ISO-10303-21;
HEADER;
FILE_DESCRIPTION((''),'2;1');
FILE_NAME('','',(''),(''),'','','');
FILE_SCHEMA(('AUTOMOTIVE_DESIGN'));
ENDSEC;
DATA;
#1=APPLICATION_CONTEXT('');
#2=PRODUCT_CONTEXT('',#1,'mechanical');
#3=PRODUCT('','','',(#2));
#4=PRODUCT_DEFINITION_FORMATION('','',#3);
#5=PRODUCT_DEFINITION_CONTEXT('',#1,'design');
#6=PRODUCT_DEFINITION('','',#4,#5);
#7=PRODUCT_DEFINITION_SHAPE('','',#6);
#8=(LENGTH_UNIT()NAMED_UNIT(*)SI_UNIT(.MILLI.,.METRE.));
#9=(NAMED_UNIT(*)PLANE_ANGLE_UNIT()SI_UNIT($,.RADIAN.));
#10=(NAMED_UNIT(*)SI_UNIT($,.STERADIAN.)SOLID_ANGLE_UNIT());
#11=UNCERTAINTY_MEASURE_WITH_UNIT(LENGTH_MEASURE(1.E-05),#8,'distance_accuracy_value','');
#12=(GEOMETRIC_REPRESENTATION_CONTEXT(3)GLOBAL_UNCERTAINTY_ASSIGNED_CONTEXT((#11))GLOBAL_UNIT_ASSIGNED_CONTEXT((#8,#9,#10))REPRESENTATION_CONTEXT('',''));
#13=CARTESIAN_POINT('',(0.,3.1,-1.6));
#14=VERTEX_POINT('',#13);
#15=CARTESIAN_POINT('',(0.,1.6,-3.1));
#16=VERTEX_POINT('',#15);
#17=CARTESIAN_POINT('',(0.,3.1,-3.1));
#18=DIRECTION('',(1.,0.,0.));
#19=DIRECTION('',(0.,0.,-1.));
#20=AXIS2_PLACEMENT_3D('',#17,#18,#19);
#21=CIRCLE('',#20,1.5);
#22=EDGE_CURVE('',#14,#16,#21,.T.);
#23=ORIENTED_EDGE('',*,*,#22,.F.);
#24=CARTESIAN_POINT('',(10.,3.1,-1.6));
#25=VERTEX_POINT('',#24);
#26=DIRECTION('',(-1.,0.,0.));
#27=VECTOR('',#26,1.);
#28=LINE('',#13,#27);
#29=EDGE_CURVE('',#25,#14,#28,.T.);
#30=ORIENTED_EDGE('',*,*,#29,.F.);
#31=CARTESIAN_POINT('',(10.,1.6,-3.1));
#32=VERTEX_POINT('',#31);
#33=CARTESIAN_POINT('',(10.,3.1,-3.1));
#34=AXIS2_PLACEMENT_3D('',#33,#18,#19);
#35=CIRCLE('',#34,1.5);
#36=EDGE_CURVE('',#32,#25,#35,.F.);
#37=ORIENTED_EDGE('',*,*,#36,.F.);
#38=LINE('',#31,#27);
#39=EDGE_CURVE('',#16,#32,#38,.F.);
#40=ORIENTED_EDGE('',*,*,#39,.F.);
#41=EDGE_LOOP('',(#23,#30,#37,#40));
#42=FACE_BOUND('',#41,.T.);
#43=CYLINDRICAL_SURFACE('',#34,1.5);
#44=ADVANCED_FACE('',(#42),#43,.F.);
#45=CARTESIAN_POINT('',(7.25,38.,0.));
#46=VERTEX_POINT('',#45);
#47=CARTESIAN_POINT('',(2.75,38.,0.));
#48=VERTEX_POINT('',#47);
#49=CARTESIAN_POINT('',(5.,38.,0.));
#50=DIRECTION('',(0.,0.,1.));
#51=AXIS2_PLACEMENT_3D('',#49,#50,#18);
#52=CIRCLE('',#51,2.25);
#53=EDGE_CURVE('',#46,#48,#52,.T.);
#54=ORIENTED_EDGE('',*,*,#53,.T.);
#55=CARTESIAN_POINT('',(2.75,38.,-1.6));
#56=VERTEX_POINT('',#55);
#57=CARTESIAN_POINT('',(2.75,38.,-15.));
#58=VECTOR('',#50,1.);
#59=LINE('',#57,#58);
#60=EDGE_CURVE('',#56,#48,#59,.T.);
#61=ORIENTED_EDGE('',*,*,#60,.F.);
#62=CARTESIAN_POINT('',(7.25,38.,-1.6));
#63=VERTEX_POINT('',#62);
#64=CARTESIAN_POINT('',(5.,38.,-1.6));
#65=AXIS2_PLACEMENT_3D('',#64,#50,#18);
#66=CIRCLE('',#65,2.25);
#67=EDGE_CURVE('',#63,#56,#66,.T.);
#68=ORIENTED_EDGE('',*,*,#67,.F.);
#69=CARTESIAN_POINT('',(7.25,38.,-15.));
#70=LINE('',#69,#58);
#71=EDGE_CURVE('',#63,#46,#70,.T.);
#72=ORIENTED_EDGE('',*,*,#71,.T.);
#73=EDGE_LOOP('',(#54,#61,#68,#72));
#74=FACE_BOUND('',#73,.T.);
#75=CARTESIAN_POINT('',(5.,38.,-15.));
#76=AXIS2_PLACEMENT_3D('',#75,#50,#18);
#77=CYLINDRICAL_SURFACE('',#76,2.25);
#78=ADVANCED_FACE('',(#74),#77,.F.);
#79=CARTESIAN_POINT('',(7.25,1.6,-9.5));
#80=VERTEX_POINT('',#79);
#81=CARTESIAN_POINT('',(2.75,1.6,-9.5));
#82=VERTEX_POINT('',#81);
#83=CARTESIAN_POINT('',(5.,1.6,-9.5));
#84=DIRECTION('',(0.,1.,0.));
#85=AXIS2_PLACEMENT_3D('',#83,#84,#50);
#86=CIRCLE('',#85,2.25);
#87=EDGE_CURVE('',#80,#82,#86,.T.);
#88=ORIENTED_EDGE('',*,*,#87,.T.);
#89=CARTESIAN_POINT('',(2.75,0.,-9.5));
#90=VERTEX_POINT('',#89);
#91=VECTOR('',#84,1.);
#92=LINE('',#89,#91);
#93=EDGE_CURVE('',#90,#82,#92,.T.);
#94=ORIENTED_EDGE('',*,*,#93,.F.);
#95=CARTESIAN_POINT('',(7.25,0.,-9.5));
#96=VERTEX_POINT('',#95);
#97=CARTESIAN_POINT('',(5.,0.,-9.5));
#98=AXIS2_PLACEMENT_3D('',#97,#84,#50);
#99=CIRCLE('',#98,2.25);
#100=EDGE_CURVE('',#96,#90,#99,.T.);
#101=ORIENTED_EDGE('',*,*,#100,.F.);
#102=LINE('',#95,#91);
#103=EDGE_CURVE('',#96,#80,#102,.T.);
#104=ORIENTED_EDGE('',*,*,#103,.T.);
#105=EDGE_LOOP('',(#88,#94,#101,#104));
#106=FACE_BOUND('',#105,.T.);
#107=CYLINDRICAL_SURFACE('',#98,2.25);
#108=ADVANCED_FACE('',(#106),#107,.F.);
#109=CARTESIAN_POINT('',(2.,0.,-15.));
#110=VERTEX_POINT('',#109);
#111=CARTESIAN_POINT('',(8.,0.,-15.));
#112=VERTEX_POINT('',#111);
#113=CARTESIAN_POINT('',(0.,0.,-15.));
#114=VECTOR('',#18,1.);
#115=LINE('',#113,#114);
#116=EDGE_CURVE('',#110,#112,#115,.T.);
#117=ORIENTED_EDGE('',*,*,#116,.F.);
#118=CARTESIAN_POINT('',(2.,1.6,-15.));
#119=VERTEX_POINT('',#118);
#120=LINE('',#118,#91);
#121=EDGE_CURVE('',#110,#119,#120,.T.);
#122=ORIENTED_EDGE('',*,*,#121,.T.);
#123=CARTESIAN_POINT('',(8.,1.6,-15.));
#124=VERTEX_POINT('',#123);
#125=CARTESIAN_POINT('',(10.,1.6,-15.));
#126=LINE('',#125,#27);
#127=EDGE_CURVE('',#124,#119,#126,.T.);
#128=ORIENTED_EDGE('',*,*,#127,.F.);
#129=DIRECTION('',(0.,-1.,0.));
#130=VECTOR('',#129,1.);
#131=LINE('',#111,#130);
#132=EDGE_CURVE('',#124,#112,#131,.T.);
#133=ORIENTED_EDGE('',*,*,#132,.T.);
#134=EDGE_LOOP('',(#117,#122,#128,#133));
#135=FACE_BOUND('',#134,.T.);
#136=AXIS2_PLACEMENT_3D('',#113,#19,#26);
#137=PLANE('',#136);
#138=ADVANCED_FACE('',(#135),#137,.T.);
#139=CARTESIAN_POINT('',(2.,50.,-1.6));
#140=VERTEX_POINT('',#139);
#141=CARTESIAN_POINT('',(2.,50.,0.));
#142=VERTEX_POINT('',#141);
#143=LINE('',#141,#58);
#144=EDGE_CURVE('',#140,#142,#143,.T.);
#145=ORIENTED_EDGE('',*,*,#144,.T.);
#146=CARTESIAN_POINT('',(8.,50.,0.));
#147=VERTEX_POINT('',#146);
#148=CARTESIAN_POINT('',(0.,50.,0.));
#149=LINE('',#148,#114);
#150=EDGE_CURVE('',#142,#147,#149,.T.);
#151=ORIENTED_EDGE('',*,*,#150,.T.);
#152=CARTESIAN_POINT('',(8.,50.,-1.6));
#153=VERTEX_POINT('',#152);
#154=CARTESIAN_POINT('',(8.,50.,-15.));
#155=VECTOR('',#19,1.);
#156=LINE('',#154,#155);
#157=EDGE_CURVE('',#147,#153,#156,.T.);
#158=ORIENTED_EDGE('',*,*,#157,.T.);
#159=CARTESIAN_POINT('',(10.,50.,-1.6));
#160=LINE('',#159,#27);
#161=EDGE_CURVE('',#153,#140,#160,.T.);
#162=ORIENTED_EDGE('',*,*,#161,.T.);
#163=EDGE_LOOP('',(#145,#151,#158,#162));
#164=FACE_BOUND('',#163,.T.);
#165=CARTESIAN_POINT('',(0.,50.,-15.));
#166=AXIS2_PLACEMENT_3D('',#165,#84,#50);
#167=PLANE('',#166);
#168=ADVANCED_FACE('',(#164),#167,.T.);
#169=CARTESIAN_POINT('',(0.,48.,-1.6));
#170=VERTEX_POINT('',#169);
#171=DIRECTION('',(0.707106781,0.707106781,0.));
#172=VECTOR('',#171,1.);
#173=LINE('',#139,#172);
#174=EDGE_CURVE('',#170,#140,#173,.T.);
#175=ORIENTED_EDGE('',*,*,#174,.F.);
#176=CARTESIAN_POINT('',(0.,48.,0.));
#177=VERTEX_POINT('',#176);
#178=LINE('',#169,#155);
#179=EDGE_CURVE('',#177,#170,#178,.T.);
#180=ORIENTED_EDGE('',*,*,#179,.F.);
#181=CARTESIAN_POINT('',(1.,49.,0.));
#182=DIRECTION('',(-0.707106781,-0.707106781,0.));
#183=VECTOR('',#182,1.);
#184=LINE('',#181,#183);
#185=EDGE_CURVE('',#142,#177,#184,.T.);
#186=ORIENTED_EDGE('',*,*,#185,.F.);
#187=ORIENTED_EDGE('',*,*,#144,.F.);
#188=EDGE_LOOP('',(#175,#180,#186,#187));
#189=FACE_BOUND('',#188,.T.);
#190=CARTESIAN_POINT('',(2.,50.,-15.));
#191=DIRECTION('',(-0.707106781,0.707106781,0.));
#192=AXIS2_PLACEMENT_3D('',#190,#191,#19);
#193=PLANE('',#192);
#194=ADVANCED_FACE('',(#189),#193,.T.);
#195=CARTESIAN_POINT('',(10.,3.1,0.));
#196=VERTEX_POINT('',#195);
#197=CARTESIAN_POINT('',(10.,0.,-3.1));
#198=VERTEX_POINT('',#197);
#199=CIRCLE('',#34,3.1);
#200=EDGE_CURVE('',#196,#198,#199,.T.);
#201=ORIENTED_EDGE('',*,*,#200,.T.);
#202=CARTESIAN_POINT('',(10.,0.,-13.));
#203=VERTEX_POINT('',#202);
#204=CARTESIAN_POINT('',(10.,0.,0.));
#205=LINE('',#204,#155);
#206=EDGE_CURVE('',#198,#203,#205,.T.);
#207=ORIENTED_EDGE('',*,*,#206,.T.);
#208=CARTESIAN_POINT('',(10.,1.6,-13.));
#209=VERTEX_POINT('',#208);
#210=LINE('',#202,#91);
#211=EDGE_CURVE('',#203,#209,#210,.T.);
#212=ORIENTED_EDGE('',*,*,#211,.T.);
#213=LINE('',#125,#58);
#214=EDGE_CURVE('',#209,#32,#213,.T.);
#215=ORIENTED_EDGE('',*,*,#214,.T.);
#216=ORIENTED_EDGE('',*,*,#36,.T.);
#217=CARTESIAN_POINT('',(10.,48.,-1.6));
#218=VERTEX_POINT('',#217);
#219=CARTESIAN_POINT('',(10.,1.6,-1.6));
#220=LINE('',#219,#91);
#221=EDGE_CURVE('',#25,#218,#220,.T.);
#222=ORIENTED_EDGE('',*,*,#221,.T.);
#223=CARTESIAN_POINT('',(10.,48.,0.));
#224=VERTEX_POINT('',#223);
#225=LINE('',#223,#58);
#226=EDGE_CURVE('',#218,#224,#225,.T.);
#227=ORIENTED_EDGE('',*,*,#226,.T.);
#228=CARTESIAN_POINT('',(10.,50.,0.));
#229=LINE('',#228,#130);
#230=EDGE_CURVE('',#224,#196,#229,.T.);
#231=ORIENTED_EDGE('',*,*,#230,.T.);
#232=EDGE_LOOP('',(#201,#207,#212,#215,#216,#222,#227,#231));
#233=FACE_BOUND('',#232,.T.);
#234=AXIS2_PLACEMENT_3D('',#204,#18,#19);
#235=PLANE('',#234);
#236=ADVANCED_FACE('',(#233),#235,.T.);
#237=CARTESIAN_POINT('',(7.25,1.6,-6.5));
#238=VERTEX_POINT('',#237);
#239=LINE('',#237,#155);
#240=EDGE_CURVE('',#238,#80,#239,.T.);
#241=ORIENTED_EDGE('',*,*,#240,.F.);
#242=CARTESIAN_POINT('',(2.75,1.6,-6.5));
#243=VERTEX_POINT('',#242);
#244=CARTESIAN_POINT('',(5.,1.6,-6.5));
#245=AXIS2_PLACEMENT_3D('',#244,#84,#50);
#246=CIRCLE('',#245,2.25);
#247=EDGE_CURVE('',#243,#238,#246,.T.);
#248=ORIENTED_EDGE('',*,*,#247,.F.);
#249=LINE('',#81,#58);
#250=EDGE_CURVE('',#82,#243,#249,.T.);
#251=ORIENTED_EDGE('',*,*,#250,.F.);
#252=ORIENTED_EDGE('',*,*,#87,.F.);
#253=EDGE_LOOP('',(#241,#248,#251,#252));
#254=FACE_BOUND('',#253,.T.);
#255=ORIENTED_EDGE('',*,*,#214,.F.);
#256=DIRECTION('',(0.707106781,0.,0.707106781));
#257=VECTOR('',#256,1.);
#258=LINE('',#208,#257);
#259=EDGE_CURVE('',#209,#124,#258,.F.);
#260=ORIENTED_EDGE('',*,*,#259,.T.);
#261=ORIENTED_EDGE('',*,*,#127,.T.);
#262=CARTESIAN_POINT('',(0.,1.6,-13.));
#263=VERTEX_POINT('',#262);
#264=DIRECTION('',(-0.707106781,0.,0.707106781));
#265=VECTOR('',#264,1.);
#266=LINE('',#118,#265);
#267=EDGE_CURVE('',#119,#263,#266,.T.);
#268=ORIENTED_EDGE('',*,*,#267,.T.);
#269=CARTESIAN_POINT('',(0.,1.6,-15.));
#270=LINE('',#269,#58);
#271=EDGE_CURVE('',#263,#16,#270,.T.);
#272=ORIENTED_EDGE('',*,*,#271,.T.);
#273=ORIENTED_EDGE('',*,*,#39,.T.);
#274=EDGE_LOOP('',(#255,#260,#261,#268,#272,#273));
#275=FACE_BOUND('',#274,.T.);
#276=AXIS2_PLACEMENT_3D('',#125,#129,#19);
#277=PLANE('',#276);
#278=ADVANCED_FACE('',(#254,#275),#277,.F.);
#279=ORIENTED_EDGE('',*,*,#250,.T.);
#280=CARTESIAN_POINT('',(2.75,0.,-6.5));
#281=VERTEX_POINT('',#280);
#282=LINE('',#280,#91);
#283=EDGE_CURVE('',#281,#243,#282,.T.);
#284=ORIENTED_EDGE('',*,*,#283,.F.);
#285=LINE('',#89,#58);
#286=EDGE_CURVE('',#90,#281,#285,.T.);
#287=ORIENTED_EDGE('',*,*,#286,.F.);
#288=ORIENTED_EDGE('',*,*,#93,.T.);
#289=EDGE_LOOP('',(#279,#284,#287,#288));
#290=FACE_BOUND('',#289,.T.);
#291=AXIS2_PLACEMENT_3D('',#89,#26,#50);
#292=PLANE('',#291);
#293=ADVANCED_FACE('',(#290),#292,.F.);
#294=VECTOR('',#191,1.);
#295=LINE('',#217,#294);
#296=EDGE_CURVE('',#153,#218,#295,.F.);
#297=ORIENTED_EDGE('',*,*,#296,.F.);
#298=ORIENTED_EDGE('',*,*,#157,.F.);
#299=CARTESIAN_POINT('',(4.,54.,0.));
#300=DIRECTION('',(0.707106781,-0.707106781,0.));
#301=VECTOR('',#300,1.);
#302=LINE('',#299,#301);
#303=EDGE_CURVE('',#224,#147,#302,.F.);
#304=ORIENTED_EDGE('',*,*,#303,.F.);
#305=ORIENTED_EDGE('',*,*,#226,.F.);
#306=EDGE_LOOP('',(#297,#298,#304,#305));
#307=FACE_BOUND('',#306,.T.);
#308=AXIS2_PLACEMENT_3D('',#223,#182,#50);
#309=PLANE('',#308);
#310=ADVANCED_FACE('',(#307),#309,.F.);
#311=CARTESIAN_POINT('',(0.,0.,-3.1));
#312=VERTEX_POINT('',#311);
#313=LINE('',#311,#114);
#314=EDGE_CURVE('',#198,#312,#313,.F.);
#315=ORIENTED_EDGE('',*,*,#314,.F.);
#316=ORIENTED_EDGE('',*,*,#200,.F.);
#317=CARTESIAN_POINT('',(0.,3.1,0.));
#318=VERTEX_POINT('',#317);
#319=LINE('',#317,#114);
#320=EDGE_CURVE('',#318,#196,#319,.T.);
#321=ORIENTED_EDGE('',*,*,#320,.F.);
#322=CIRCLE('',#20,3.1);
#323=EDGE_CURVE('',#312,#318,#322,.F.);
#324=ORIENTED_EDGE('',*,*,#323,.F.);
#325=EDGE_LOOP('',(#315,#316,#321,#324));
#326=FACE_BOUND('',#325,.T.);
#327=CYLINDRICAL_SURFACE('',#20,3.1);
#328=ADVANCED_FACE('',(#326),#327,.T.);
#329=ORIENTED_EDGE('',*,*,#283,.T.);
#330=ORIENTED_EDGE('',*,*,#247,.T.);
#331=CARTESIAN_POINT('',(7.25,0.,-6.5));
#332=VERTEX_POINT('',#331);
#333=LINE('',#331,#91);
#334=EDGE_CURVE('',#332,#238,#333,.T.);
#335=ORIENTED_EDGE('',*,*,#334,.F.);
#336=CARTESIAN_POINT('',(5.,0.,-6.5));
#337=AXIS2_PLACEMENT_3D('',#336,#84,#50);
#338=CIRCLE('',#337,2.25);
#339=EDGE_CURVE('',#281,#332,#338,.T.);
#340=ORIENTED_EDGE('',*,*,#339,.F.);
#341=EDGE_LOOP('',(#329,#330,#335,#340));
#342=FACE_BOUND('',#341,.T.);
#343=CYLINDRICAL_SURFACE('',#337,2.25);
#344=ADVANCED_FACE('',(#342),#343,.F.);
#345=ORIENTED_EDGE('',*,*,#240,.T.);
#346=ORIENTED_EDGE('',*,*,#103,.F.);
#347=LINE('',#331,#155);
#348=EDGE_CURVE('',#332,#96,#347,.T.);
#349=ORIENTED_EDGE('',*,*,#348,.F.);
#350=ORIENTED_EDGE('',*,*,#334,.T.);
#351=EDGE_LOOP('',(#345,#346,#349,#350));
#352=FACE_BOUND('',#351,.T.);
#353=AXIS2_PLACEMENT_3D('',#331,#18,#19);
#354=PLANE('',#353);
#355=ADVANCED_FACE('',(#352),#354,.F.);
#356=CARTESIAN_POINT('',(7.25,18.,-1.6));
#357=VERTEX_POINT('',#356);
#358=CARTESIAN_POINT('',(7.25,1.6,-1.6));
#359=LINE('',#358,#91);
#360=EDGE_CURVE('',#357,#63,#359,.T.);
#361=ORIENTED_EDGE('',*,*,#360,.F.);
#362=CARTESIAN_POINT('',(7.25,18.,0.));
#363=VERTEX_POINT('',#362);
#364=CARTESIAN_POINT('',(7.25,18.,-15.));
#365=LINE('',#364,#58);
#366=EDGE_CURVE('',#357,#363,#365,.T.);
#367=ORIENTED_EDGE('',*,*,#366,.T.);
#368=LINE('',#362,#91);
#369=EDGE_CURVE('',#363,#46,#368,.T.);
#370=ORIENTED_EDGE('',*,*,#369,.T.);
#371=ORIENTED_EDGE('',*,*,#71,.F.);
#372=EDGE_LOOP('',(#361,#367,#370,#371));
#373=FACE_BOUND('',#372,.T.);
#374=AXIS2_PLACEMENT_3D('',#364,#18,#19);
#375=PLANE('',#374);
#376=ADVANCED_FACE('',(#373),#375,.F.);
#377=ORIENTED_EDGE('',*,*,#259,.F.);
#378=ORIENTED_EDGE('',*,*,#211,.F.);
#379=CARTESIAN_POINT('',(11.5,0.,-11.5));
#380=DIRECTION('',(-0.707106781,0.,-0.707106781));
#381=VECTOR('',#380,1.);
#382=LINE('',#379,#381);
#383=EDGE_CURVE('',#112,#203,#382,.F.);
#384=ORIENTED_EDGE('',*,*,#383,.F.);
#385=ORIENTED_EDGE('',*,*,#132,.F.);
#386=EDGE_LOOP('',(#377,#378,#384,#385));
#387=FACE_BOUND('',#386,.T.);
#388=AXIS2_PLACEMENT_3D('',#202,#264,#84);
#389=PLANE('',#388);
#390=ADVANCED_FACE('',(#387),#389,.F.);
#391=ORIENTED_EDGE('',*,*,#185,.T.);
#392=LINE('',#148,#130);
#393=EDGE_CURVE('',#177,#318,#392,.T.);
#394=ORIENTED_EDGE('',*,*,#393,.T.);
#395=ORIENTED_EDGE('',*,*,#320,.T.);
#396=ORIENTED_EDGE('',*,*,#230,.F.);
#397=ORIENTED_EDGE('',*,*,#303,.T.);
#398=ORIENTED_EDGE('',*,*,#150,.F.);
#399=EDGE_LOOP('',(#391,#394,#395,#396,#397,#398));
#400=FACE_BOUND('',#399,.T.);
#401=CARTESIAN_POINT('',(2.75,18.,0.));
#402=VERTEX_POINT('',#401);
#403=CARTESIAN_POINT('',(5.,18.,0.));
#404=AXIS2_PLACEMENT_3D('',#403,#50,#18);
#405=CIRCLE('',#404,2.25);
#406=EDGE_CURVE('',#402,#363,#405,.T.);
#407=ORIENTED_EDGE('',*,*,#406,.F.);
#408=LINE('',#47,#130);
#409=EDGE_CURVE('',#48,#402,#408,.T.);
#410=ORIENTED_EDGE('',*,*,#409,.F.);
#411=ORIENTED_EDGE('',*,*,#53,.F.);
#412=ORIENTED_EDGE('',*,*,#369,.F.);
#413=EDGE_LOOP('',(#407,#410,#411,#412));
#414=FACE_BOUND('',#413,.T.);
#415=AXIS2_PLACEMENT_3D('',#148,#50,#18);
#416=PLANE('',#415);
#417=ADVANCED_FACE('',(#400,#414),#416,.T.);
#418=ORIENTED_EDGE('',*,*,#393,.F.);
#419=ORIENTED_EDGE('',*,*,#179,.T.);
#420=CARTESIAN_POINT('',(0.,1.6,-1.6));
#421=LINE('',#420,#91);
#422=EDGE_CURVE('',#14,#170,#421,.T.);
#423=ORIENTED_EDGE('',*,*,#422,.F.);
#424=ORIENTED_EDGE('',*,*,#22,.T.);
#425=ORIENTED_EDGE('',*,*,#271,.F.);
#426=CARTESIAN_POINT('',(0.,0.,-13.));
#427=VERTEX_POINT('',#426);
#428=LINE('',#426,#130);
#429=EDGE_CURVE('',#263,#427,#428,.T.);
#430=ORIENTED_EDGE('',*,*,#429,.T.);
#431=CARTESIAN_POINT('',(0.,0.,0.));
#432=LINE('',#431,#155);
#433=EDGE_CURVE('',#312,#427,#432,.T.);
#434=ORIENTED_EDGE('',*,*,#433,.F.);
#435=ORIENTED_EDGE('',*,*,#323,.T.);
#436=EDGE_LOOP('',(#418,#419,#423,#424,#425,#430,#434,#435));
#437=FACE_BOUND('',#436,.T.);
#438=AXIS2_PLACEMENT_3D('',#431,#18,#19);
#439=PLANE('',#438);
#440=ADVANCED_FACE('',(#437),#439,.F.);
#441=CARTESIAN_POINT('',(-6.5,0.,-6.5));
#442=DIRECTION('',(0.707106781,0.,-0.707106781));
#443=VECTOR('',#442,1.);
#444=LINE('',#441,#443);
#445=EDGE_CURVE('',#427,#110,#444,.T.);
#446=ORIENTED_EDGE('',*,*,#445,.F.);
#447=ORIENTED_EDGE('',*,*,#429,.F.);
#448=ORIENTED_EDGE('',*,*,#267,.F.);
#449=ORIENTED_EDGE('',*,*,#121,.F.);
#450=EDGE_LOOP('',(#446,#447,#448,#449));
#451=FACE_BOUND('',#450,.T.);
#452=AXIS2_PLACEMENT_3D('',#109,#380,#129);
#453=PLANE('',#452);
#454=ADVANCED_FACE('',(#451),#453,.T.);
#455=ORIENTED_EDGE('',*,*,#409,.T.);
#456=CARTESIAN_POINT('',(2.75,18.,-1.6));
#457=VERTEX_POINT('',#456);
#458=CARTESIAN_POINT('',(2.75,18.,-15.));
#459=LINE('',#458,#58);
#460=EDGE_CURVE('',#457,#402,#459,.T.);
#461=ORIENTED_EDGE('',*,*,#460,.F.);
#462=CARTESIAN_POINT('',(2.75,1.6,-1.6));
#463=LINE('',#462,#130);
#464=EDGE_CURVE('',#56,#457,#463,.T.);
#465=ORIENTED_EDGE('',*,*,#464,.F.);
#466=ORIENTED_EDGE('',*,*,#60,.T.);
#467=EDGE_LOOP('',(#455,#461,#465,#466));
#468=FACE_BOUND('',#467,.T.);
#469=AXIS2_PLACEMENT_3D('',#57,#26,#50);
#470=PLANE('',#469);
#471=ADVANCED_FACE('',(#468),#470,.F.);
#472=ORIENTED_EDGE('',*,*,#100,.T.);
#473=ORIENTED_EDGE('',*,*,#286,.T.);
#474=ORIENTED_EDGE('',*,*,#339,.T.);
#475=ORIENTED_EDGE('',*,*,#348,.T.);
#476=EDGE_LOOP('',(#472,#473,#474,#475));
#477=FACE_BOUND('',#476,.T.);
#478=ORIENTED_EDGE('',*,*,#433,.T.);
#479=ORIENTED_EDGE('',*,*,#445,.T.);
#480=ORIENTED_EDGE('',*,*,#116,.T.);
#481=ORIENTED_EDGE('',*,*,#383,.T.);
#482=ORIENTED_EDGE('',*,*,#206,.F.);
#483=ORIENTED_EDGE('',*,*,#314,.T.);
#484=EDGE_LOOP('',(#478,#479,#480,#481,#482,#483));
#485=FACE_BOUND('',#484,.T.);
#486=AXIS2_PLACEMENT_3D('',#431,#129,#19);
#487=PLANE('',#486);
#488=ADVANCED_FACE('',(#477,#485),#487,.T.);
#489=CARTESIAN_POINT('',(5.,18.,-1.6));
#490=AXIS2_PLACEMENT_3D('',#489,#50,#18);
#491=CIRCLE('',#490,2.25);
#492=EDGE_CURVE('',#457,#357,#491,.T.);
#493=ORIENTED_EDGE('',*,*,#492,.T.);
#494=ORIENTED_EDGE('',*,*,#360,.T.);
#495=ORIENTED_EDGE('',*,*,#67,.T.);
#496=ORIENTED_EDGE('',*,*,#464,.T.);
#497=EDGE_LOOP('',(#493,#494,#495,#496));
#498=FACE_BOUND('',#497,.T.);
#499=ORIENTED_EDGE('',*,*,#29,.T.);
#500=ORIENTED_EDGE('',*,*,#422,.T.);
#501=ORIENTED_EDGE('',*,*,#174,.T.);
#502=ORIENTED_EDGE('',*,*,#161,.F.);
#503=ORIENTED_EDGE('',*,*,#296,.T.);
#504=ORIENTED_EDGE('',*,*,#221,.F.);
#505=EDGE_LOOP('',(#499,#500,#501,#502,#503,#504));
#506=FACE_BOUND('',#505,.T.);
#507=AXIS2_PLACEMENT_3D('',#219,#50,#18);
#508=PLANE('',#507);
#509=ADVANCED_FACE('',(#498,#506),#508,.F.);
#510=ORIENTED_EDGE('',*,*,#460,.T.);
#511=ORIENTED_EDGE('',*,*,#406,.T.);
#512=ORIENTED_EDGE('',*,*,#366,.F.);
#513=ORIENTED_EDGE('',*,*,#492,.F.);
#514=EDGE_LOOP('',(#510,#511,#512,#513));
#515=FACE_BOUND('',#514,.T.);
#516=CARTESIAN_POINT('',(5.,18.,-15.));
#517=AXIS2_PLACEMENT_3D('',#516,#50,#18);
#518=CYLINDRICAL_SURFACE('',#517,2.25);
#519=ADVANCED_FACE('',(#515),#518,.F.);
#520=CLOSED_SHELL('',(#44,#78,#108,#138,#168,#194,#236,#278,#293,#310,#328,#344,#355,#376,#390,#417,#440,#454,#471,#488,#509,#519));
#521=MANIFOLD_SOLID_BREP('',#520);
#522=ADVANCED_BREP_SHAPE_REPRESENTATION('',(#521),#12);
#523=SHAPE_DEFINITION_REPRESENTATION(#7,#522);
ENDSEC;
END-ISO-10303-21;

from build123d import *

# Parameters (mm, degrees)
SKETCH1_W           = 15
SKETCH1_H           = 50
BOSS_EXTRUDE1_DEPTH = 10
SKETCH2_W           = 13.4
SKETCH2_H           = 48.4
CUT_EXTRUDE1_DEPTH  = 54.150729064
CUT_EXTRUDE2_DEPTH  = 52.648426888
CUT_EXTRUDE3_DEPTH  = 54.150729064
CHAMFER1_SIZE       = 2
FILLET1_R           = 1.5
FILLET2_R           = 3.1


with BuildPart() as part:
    # Sketch1 → Boss-Extrude1 (new body)
    with BuildSketch(Plane(origin=(10, 0, 0), x_dir=(0, 0, -1), z_dir=(1, 0, 0))):
        with Locations((7.5, 25)):
            Rectangle(SKETCH1_W, SKETCH1_H)
    extrude(amount=-BOSS_EXTRUDE1_DEPTH)

    # Sketch2 → Cut-Extrude1 (cut, through all)
    with BuildSketch(Plane.ZY):
        with Locations((-8.3, 25.8)):
            Rectangle(SKETCH2_W, SKETCH2_H)
    extrude(amount=-CUT_EXTRUDE1_DEPTH, mode=Mode.SUBTRACT)

    # Sketch3 → Cut-Extrude2 (cut, through all)
    with BuildSketch(Plane(origin=(0, 1.6, 0), x_dir=(-1, 0, 0), z_dir=(0, 1, 0))):
        with BuildLine():
            Line((-2.75, -9.5), (-2.75, -6.5))
            ThreePointArc((-2.75, -6.5), (-5, -4.25), (-7.25, -6.5))
            Line((-7.25, -6.5), (-7.25, -9.5))
            ThreePointArc((-7.25, -9.5), (-5, -11.75), (-2.75, -9.5))
        make_face()
    extrude(amount=-CUT_EXTRUDE2_DEPTH, mode=Mode.SUBTRACT)

    # Sketch4 → Cut-Extrude3 (cut, through all)
    with BuildSketch(Plane.XY):
        with BuildLine():
            Line((7.25, 18), (7.25, 38))
            ThreePointArc((7.25, 38), (5, 40.25), (2.75, 38))
            Line((2.75, 38), (2.75, 18))
            ThreePointArc((2.75, 18), (5, 15.75), (7.25, 18))
        make_face()
    extrude(amount=-CUT_EXTRUDE3_DEPTH, mode=Mode.SUBTRACT)

    # Chamfer1
    chamfer1_edges = [part.edges().sort_by_distance(p)[0] for p in [
        (0, 0.8, -15),
        (10, 50, -0.8),
        (0, 50, -0.8),
        (10, 0.8, -15),
    ]]
    chamfer(chamfer1_edges, length=CHAMFER1_SIZE)

    # Fillet1
    fillet1_edges = [part.edges().sort_by_distance(p)[0] for p in [
        (5, 1.6, -1.6),
    ]]
    fillet(fillet1_edges, radius=FILLET1_R)

    # Fillet2
    fillet2_edges = [part.edges().sort_by_distance(p)[0] for p in [
        (5, 0, 0),
    ]]
    fillet(fillet2_edges, radius=FILLET2_R)


solid = part.part
